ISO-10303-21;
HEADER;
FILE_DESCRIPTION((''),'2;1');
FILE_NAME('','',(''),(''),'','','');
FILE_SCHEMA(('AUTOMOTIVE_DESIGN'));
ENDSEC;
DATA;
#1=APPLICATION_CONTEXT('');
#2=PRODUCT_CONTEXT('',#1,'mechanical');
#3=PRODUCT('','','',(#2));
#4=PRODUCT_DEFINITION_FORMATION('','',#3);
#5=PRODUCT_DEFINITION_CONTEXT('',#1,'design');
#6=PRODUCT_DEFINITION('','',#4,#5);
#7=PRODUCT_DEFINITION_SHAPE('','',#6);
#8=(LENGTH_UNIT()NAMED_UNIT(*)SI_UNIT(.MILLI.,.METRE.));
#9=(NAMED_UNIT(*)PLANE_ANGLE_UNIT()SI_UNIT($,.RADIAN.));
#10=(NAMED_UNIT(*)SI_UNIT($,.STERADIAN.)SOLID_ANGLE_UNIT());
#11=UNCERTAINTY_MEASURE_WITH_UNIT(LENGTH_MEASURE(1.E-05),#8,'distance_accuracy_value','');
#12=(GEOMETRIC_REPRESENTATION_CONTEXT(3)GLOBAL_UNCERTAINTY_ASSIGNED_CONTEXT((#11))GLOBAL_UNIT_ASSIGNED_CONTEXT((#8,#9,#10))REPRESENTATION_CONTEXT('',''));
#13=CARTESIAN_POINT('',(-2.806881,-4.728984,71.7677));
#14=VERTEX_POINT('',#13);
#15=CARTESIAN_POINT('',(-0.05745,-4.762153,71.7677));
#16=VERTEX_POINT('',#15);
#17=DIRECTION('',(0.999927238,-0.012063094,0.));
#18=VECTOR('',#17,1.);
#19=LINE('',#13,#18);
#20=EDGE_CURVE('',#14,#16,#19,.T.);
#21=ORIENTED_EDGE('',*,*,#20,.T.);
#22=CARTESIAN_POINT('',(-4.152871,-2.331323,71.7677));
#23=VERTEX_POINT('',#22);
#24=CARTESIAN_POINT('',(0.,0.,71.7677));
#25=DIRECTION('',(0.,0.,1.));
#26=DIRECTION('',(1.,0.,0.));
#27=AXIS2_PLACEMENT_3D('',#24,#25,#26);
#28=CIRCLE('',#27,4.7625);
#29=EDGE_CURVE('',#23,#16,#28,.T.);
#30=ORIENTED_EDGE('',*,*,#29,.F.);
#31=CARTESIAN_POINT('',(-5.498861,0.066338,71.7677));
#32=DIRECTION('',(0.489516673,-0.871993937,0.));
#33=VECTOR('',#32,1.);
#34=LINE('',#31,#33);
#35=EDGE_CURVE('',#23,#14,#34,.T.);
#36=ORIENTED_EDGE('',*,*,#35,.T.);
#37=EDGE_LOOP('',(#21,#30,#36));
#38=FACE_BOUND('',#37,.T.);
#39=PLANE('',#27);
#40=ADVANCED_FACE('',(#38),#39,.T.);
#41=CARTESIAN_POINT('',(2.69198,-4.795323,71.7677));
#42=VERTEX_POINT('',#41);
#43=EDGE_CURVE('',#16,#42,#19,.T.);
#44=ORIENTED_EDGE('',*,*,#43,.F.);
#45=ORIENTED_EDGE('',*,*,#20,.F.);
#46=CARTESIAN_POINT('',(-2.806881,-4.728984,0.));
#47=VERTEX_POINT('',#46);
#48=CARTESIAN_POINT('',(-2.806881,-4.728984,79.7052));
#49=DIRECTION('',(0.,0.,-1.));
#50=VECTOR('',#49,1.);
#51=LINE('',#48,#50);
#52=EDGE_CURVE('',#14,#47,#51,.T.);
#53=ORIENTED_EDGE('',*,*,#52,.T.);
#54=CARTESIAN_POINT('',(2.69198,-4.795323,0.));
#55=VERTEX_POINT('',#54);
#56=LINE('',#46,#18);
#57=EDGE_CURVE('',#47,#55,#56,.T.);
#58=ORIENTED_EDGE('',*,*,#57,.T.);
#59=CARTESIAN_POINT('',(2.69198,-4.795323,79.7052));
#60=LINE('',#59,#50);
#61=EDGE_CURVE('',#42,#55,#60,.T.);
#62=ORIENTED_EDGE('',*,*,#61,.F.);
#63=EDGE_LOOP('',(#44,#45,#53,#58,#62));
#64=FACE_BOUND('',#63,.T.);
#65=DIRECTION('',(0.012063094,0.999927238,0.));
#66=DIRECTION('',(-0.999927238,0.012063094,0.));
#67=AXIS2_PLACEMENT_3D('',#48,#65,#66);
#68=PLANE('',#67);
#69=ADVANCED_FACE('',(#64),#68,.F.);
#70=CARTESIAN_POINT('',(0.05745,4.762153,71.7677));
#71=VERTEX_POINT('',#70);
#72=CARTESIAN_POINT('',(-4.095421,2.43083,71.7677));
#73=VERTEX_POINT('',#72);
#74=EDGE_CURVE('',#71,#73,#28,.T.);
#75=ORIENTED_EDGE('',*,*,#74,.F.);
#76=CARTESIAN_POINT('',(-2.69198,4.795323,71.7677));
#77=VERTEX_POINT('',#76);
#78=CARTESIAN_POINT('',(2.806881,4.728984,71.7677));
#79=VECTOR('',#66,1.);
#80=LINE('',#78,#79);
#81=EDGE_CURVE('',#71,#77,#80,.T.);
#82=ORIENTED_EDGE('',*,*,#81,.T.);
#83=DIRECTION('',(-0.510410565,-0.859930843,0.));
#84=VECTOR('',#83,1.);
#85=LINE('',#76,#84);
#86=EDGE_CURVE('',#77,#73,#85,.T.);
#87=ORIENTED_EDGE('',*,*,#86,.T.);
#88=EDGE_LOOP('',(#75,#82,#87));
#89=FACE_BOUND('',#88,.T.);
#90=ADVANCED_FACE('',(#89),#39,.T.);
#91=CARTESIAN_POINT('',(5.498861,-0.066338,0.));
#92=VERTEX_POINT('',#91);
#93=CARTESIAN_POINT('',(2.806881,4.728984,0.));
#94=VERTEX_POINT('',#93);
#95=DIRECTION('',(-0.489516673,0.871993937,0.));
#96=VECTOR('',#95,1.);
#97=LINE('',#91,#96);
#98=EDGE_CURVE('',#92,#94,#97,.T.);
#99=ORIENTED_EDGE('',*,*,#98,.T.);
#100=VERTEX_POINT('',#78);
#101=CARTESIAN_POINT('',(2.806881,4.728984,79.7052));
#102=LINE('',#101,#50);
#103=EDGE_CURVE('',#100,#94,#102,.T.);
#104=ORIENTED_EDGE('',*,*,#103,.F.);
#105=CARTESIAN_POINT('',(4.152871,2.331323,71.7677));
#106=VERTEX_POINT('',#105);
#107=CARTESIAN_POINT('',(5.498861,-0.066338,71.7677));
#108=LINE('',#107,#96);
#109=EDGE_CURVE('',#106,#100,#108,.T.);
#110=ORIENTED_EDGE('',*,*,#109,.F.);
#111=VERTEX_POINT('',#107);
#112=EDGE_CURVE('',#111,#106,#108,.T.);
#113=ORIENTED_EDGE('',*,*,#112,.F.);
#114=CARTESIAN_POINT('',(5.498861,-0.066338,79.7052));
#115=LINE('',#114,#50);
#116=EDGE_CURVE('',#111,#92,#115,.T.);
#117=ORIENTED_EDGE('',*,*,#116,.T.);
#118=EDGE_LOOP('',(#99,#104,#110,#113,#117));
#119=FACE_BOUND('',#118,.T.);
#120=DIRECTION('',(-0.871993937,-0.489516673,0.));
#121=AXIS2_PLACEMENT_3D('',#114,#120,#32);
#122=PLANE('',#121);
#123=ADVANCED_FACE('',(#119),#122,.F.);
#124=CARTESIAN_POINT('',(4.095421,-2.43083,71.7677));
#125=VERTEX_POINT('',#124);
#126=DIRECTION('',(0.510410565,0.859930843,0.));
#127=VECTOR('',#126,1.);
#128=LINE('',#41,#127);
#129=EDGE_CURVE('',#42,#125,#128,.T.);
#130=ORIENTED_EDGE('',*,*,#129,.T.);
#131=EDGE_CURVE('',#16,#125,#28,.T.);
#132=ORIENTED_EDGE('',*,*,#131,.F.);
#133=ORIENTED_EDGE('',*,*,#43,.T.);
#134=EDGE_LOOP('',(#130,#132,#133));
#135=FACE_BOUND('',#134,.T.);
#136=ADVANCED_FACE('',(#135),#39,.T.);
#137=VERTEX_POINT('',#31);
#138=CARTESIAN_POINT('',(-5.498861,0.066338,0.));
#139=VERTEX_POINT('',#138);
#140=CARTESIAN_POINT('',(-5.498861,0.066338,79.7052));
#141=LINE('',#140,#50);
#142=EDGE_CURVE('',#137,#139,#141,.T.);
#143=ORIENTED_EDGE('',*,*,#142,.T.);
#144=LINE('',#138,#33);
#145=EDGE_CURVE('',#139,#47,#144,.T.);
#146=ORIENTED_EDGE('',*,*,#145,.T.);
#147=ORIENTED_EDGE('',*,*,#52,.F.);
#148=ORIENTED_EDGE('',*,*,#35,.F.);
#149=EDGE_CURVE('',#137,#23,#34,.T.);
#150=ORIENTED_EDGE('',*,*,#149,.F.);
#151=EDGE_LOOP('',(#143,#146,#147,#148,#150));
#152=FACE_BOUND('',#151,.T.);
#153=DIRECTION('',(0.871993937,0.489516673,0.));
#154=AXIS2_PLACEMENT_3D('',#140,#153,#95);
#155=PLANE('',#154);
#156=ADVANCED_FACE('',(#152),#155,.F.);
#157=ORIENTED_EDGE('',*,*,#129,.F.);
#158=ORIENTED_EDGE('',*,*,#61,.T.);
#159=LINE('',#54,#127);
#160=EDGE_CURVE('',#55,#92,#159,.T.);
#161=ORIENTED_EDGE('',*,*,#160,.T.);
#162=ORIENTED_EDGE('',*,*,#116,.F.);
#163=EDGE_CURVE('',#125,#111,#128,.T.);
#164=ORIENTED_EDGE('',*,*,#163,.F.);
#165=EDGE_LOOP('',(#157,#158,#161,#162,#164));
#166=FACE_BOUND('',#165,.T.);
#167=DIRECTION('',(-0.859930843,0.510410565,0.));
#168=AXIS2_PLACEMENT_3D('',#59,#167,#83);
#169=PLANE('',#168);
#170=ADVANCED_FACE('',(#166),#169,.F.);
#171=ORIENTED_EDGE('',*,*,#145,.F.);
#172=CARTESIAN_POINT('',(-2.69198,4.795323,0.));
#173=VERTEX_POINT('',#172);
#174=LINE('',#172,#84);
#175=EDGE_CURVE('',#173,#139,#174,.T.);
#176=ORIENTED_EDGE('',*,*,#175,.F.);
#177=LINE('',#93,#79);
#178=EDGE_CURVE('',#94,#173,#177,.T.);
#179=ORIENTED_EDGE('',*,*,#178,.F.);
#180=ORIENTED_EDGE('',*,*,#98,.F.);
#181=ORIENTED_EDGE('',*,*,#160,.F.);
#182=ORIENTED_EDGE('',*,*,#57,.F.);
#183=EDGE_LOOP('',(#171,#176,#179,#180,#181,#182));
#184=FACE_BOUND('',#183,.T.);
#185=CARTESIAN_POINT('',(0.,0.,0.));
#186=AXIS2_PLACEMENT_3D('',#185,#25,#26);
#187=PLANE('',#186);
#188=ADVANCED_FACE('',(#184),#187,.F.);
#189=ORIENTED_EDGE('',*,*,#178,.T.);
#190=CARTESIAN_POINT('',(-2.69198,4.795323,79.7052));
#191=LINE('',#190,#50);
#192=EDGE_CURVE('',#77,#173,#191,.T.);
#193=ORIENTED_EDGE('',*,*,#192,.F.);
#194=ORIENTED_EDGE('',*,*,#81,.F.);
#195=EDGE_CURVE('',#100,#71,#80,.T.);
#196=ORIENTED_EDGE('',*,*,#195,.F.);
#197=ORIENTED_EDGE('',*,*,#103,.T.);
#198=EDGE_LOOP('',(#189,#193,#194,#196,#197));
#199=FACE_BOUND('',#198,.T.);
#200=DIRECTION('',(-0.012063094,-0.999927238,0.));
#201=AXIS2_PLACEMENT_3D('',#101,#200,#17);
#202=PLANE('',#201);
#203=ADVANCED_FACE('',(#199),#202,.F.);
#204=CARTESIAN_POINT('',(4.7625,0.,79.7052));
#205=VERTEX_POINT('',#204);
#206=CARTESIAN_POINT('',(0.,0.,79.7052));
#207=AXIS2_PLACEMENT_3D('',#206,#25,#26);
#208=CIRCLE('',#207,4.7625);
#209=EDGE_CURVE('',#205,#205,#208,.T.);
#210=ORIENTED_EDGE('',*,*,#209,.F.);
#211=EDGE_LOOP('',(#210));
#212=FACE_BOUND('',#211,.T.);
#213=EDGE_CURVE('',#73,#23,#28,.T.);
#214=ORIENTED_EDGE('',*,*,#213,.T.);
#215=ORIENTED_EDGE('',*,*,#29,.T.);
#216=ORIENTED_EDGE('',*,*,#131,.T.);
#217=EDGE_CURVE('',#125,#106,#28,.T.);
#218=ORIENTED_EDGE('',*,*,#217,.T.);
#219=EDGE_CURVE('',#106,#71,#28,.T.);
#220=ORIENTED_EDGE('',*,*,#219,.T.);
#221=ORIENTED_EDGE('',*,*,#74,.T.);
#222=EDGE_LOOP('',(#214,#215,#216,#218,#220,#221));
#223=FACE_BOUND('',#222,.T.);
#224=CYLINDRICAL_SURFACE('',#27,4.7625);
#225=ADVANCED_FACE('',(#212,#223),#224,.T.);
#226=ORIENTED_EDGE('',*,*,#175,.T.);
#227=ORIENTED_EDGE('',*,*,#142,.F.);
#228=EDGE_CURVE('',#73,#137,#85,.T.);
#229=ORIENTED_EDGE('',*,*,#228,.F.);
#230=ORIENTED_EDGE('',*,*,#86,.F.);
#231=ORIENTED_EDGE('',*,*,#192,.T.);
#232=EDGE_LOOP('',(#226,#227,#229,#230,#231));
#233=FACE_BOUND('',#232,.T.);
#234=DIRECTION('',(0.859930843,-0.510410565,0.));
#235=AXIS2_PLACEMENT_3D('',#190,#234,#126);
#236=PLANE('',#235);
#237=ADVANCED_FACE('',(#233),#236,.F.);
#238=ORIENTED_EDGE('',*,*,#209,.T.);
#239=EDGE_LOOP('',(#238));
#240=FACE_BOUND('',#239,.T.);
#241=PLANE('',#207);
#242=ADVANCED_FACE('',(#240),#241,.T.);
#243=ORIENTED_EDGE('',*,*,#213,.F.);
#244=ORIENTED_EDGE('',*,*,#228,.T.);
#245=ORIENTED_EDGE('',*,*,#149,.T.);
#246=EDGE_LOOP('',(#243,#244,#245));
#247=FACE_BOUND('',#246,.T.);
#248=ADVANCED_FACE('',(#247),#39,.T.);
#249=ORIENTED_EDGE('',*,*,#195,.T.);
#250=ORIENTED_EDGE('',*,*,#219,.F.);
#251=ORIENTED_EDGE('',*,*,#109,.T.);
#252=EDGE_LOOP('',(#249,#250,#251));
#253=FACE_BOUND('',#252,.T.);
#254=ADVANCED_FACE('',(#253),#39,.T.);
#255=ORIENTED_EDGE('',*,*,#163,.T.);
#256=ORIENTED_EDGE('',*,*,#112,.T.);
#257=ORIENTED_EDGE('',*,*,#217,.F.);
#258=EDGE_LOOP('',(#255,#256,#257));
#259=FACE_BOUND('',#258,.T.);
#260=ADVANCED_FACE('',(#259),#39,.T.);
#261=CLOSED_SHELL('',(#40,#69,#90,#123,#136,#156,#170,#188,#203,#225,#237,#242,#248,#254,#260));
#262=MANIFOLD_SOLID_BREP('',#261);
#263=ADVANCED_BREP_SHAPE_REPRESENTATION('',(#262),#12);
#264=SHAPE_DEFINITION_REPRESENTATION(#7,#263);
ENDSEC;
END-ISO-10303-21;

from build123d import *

# Parameters (mm, degrees)
BOSS_EXTRUDE1_DEPTH = 79.7052
SKETCH5_R           = 5.499261314
SKETCH5_R_2         = 4.7625
CUT_EXTRUDE2_DEPTH  = 7.9375


with BuildPart() as part:
    # Sketch1 → Boss-Extrude1 (new body)
    with BuildSketch(Plane.XY):
        Polygon((2.806881074, 4.728984419), (-2.691980104, 4.795322525), (-5.498861178, 0.066338106), (-2.806881074, -4.728984419), (2.691980104, -4.795322525), (5.498861178, -0.066338106), align=None)
    extrude(amount=BOSS_EXTRUDE1_DEPTH)

    # Sketch5 → Cut-Extrude2 (cut)
    with BuildSketch(Plane.XY.offset(79.7052)):
        Circle(SKETCH5_R)
        Circle(SKETCH5_R_2, mode=Mode.SUBTRACT)
    extrude(amount=-CUT_EXTRUDE2_DEPTH, mode=Mode.SUBTRACT)


solid = part.part
